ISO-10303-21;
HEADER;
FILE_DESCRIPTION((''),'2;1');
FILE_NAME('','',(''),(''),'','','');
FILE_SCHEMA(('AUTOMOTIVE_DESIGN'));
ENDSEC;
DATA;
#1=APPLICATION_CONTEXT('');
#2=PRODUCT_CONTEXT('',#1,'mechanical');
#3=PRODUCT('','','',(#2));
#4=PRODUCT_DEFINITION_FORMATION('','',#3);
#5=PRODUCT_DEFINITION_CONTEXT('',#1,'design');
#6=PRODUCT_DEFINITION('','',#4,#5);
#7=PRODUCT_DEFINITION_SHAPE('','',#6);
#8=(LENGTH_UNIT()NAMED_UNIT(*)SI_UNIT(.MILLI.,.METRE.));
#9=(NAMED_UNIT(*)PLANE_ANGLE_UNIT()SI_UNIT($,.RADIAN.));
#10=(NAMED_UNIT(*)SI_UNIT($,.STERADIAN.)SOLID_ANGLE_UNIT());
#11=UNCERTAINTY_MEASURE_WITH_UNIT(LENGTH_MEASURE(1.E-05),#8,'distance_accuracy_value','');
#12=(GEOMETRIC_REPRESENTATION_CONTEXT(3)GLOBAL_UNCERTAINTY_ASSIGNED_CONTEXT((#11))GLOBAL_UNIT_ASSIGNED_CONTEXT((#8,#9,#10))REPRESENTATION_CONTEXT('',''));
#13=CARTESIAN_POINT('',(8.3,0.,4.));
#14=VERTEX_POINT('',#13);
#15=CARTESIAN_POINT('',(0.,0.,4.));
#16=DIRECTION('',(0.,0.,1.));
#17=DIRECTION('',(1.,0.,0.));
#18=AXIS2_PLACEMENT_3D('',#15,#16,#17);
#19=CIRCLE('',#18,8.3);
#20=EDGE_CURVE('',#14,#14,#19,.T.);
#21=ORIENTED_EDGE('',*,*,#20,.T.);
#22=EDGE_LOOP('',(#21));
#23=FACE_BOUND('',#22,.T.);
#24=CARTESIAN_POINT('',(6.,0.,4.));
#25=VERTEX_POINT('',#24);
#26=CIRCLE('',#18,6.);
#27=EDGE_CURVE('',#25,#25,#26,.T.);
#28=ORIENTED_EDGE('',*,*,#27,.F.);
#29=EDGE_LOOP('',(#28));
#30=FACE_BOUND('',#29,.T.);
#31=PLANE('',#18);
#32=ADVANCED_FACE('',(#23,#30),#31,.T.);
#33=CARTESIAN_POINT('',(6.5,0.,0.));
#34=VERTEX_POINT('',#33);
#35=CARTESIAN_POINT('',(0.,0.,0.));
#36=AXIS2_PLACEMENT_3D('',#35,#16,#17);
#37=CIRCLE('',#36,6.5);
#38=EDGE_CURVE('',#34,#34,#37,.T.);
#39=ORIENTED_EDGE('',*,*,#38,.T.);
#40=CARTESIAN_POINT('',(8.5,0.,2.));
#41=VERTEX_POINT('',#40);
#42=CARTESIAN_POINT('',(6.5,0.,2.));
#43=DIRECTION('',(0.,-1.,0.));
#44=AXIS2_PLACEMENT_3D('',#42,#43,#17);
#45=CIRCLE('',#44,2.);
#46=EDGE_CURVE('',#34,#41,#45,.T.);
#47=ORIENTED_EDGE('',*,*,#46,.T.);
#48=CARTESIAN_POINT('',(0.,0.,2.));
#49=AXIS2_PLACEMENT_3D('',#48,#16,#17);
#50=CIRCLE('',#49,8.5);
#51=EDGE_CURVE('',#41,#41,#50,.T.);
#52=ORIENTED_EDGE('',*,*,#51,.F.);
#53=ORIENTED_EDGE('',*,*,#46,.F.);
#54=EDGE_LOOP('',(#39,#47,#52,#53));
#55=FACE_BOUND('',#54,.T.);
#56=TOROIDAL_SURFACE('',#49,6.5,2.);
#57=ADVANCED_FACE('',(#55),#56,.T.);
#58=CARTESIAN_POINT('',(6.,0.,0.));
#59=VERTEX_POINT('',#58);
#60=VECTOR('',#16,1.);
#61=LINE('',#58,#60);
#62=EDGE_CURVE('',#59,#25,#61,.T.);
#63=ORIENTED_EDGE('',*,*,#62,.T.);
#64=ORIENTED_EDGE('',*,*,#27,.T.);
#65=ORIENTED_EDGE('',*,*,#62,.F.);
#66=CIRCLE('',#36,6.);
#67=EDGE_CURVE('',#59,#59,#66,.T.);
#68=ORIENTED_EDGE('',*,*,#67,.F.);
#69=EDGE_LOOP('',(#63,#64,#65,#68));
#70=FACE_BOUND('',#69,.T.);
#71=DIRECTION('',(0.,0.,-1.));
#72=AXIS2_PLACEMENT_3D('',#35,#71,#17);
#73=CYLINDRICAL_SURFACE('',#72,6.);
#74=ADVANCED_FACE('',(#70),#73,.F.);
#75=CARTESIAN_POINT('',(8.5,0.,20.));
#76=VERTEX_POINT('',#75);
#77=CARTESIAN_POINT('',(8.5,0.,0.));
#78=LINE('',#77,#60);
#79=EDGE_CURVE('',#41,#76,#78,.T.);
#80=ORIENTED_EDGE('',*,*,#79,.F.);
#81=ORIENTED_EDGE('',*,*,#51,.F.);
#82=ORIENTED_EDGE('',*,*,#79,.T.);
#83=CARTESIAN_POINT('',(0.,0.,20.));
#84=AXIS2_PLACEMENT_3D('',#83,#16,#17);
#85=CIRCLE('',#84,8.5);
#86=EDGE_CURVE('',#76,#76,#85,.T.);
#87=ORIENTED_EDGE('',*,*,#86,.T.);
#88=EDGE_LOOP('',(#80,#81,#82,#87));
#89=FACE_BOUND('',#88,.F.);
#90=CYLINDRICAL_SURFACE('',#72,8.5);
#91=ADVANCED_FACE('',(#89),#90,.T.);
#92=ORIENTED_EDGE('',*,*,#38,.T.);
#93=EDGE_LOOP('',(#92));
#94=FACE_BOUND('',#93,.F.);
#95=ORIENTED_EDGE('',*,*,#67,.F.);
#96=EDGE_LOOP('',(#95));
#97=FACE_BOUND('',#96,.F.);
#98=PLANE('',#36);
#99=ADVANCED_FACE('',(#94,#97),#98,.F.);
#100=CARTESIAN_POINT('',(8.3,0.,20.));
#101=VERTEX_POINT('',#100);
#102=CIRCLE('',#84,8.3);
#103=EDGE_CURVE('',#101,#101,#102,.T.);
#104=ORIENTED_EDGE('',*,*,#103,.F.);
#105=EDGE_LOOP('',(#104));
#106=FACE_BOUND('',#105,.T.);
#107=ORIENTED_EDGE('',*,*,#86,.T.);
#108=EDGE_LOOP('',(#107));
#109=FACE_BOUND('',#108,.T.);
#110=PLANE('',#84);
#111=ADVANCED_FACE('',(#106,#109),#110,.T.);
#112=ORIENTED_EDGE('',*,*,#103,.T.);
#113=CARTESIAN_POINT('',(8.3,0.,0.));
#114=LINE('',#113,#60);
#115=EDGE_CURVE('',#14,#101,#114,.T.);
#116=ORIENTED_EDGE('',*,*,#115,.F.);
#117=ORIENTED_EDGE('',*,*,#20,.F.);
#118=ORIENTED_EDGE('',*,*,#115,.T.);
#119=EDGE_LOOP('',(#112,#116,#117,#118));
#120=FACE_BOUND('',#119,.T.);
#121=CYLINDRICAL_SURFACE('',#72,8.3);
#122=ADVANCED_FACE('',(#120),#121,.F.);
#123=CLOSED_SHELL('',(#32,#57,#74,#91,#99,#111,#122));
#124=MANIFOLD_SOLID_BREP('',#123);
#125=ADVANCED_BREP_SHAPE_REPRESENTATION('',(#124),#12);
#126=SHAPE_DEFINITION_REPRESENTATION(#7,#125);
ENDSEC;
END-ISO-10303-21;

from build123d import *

# Parameters (mm, degrees)
F0_R     = 8.5
F0_R_2   = 8.3
F1_DEPTH = 20
F0_R_3   = 6
F2_DEPTH = 4
F3_R     = 2


with BuildPart() as f1:
    # F0 (on Top) → F1 (new body)
    with BuildSketch(Plane.XY):
        Circle(F0_R)
        Circle(F0_R_2, mode=Mode.SUBTRACT)
    extrude(amount=F1_DEPTH)

    # F0 (on Top) → F2 (join)
    with BuildSketch(Plane.XY):
        Circle(F0_R_2)
        Circle(F0_R_3, mode=Mode.SUBTRACT)
    extrude(amount=F2_DEPTH)

    # F3
    f3_edges = [f1.edges().sort_by_distance(p)[0] for p in [
        (-8.5, 0, 0),
    ]]
    fillet(f3_edges, radius=F3_R)


solid = f1.part
